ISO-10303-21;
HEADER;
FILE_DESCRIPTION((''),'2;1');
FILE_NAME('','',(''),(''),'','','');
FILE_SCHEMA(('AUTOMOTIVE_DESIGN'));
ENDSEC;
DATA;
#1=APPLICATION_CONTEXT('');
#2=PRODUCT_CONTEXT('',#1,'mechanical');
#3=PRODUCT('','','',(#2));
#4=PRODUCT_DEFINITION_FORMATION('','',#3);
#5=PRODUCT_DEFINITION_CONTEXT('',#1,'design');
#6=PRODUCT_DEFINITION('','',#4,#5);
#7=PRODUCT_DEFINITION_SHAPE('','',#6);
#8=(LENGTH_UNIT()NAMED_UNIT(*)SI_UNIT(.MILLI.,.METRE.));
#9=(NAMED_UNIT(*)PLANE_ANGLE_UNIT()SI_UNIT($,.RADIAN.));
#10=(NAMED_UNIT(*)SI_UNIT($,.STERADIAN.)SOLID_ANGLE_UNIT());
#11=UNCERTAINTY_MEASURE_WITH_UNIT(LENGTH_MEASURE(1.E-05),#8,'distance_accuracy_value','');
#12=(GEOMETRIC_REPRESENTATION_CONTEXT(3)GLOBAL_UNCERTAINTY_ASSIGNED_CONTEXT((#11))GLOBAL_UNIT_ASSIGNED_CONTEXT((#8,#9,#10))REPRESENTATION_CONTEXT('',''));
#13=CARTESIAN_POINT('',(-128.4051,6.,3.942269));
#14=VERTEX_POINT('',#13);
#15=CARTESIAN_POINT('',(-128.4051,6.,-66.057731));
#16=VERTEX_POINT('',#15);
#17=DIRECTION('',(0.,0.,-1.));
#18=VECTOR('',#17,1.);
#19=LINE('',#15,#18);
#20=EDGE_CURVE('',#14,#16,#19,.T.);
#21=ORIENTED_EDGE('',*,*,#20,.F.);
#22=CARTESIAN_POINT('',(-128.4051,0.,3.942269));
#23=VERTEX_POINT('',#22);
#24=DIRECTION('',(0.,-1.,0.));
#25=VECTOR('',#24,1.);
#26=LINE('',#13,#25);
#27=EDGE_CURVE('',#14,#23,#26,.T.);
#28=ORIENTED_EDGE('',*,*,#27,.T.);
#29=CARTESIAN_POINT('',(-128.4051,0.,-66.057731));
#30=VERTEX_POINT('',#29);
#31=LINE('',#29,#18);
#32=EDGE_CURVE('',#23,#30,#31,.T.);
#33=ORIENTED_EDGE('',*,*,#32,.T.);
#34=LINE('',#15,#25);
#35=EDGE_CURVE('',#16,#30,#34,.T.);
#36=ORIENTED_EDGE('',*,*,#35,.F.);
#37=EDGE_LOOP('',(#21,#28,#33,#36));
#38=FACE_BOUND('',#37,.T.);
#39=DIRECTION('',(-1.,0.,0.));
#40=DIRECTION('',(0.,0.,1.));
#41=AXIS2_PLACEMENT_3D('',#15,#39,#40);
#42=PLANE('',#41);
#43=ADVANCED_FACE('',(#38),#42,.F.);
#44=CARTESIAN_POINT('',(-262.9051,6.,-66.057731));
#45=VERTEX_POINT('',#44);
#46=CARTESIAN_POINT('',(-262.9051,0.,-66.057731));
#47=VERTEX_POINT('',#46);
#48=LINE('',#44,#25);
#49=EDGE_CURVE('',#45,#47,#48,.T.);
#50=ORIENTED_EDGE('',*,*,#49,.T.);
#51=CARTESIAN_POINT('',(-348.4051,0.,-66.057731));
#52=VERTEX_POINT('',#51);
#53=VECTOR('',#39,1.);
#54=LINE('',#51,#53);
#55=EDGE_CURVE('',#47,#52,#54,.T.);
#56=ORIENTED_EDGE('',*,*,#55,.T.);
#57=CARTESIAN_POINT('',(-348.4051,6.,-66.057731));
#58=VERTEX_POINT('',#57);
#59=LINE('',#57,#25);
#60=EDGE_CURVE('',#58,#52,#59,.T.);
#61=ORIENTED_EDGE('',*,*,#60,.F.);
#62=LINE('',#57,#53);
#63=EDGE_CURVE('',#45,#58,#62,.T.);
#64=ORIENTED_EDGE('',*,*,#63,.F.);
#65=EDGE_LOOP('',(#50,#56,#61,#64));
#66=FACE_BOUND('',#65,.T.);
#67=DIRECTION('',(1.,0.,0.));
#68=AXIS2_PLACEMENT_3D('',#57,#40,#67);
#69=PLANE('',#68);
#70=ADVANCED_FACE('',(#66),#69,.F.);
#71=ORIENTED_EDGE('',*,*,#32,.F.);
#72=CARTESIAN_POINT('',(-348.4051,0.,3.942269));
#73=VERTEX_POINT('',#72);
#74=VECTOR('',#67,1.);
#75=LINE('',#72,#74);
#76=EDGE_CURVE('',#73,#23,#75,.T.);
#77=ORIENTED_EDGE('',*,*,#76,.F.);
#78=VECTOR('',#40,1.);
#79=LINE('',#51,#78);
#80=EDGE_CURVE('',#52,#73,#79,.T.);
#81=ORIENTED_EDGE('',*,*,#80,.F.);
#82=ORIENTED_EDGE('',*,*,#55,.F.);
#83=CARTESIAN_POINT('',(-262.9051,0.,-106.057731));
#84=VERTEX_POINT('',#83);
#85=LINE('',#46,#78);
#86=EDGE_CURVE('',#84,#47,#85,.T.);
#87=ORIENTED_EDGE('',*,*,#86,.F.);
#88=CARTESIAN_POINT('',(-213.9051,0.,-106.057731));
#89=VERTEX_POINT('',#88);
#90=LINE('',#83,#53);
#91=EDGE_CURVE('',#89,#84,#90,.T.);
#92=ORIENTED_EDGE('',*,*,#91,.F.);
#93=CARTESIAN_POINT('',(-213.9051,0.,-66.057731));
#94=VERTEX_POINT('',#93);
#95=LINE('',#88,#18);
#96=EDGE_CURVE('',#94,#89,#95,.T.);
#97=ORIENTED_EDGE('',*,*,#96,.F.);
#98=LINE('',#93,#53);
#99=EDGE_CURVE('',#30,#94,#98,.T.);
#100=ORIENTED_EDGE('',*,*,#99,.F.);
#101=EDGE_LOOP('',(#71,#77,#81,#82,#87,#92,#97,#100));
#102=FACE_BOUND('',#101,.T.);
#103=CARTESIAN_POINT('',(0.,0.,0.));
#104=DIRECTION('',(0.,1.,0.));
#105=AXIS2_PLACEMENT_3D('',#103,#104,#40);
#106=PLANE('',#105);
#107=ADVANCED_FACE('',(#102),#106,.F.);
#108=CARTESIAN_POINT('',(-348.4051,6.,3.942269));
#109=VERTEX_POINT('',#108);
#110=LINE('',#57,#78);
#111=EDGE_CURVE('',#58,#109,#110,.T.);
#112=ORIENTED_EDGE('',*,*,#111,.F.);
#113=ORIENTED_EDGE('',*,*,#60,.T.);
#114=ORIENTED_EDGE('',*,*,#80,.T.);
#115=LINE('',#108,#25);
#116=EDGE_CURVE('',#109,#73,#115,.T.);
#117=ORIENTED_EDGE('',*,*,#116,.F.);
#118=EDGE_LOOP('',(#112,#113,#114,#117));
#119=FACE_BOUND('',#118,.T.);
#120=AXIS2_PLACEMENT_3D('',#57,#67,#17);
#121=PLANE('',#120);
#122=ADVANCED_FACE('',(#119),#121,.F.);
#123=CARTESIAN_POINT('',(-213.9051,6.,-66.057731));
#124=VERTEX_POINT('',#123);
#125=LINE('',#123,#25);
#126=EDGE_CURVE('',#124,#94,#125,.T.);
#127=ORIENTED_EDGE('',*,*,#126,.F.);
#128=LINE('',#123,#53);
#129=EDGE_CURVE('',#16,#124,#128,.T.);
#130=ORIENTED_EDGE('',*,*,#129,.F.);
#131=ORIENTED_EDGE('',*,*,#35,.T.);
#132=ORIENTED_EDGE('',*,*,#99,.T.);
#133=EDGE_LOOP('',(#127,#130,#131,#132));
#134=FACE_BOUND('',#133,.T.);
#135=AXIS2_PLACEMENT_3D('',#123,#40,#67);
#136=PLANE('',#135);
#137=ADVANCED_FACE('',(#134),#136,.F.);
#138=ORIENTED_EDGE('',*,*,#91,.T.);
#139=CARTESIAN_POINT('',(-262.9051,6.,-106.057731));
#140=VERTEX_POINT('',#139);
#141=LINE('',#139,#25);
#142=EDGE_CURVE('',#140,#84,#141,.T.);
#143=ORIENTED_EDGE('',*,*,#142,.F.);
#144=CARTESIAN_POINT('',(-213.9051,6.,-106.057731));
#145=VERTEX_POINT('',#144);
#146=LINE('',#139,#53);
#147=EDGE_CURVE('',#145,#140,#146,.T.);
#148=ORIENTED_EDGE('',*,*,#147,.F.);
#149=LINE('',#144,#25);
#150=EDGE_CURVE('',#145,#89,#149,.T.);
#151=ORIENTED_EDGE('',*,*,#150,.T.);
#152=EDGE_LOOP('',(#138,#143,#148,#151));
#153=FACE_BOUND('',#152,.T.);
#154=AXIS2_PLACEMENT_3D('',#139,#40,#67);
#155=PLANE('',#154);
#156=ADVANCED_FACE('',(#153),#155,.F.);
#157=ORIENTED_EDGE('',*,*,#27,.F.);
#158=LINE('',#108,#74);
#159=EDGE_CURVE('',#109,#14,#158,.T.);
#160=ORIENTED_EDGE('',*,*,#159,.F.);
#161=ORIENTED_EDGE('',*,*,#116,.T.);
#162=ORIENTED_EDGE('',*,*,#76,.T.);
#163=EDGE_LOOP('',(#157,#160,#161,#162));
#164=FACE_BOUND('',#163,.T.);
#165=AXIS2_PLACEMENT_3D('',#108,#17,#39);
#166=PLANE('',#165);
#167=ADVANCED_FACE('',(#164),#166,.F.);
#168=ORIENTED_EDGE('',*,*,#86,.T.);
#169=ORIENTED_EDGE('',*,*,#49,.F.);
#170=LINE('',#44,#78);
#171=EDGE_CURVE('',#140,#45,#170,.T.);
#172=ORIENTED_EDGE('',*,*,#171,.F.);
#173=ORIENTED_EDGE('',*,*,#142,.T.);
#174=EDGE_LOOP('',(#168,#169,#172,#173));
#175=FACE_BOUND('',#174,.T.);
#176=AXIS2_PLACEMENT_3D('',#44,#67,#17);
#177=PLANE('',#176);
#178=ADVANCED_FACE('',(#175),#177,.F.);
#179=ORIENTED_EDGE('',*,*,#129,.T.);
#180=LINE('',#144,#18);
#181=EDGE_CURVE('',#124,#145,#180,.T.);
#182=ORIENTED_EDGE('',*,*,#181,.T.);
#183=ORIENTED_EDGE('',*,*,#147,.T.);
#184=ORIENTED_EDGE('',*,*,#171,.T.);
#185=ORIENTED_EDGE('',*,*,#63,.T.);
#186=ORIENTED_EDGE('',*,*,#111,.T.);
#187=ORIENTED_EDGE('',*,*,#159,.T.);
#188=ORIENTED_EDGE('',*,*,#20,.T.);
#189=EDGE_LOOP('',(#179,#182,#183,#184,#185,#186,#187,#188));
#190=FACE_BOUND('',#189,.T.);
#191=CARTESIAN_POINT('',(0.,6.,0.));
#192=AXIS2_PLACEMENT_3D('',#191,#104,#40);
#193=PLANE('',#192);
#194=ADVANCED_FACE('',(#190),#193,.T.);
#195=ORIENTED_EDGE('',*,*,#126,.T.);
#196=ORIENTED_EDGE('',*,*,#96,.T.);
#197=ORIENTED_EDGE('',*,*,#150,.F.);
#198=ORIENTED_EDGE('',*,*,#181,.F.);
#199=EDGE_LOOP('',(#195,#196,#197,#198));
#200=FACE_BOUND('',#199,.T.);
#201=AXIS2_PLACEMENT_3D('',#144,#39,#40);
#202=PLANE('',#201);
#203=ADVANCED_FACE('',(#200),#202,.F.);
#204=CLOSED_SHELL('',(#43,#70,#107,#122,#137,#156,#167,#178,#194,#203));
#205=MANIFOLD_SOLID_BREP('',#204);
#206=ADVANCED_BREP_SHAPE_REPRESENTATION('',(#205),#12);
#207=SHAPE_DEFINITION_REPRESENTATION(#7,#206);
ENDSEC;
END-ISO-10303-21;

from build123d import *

# Parameters (mm, degrees)
BOSS_EXTRUDE1_DEPTH = 6


with BuildPart() as part:
    # Sketch1 → Boss-Extrude1 (new body)
    with BuildSketch(Plane(origin=(0, 0, 0), x_dir=(1, 0, 0), z_dir=(0, 1, 0))):
        Polygon((-262.905099867, 66.057731185), (-262.905099867, 106.057731185), (-213.905099867, 106.057731185), (-213.905099867, 66.057731185), (-128.405099867, 66.057731185), (-128.405099867, -3.942268815), (-348.405099867, -3.942268815), (-348.405099867, 66.057731185), align=None)
    extrude(amount=BOSS_EXTRUDE1_DEPTH)


solid = part.part
